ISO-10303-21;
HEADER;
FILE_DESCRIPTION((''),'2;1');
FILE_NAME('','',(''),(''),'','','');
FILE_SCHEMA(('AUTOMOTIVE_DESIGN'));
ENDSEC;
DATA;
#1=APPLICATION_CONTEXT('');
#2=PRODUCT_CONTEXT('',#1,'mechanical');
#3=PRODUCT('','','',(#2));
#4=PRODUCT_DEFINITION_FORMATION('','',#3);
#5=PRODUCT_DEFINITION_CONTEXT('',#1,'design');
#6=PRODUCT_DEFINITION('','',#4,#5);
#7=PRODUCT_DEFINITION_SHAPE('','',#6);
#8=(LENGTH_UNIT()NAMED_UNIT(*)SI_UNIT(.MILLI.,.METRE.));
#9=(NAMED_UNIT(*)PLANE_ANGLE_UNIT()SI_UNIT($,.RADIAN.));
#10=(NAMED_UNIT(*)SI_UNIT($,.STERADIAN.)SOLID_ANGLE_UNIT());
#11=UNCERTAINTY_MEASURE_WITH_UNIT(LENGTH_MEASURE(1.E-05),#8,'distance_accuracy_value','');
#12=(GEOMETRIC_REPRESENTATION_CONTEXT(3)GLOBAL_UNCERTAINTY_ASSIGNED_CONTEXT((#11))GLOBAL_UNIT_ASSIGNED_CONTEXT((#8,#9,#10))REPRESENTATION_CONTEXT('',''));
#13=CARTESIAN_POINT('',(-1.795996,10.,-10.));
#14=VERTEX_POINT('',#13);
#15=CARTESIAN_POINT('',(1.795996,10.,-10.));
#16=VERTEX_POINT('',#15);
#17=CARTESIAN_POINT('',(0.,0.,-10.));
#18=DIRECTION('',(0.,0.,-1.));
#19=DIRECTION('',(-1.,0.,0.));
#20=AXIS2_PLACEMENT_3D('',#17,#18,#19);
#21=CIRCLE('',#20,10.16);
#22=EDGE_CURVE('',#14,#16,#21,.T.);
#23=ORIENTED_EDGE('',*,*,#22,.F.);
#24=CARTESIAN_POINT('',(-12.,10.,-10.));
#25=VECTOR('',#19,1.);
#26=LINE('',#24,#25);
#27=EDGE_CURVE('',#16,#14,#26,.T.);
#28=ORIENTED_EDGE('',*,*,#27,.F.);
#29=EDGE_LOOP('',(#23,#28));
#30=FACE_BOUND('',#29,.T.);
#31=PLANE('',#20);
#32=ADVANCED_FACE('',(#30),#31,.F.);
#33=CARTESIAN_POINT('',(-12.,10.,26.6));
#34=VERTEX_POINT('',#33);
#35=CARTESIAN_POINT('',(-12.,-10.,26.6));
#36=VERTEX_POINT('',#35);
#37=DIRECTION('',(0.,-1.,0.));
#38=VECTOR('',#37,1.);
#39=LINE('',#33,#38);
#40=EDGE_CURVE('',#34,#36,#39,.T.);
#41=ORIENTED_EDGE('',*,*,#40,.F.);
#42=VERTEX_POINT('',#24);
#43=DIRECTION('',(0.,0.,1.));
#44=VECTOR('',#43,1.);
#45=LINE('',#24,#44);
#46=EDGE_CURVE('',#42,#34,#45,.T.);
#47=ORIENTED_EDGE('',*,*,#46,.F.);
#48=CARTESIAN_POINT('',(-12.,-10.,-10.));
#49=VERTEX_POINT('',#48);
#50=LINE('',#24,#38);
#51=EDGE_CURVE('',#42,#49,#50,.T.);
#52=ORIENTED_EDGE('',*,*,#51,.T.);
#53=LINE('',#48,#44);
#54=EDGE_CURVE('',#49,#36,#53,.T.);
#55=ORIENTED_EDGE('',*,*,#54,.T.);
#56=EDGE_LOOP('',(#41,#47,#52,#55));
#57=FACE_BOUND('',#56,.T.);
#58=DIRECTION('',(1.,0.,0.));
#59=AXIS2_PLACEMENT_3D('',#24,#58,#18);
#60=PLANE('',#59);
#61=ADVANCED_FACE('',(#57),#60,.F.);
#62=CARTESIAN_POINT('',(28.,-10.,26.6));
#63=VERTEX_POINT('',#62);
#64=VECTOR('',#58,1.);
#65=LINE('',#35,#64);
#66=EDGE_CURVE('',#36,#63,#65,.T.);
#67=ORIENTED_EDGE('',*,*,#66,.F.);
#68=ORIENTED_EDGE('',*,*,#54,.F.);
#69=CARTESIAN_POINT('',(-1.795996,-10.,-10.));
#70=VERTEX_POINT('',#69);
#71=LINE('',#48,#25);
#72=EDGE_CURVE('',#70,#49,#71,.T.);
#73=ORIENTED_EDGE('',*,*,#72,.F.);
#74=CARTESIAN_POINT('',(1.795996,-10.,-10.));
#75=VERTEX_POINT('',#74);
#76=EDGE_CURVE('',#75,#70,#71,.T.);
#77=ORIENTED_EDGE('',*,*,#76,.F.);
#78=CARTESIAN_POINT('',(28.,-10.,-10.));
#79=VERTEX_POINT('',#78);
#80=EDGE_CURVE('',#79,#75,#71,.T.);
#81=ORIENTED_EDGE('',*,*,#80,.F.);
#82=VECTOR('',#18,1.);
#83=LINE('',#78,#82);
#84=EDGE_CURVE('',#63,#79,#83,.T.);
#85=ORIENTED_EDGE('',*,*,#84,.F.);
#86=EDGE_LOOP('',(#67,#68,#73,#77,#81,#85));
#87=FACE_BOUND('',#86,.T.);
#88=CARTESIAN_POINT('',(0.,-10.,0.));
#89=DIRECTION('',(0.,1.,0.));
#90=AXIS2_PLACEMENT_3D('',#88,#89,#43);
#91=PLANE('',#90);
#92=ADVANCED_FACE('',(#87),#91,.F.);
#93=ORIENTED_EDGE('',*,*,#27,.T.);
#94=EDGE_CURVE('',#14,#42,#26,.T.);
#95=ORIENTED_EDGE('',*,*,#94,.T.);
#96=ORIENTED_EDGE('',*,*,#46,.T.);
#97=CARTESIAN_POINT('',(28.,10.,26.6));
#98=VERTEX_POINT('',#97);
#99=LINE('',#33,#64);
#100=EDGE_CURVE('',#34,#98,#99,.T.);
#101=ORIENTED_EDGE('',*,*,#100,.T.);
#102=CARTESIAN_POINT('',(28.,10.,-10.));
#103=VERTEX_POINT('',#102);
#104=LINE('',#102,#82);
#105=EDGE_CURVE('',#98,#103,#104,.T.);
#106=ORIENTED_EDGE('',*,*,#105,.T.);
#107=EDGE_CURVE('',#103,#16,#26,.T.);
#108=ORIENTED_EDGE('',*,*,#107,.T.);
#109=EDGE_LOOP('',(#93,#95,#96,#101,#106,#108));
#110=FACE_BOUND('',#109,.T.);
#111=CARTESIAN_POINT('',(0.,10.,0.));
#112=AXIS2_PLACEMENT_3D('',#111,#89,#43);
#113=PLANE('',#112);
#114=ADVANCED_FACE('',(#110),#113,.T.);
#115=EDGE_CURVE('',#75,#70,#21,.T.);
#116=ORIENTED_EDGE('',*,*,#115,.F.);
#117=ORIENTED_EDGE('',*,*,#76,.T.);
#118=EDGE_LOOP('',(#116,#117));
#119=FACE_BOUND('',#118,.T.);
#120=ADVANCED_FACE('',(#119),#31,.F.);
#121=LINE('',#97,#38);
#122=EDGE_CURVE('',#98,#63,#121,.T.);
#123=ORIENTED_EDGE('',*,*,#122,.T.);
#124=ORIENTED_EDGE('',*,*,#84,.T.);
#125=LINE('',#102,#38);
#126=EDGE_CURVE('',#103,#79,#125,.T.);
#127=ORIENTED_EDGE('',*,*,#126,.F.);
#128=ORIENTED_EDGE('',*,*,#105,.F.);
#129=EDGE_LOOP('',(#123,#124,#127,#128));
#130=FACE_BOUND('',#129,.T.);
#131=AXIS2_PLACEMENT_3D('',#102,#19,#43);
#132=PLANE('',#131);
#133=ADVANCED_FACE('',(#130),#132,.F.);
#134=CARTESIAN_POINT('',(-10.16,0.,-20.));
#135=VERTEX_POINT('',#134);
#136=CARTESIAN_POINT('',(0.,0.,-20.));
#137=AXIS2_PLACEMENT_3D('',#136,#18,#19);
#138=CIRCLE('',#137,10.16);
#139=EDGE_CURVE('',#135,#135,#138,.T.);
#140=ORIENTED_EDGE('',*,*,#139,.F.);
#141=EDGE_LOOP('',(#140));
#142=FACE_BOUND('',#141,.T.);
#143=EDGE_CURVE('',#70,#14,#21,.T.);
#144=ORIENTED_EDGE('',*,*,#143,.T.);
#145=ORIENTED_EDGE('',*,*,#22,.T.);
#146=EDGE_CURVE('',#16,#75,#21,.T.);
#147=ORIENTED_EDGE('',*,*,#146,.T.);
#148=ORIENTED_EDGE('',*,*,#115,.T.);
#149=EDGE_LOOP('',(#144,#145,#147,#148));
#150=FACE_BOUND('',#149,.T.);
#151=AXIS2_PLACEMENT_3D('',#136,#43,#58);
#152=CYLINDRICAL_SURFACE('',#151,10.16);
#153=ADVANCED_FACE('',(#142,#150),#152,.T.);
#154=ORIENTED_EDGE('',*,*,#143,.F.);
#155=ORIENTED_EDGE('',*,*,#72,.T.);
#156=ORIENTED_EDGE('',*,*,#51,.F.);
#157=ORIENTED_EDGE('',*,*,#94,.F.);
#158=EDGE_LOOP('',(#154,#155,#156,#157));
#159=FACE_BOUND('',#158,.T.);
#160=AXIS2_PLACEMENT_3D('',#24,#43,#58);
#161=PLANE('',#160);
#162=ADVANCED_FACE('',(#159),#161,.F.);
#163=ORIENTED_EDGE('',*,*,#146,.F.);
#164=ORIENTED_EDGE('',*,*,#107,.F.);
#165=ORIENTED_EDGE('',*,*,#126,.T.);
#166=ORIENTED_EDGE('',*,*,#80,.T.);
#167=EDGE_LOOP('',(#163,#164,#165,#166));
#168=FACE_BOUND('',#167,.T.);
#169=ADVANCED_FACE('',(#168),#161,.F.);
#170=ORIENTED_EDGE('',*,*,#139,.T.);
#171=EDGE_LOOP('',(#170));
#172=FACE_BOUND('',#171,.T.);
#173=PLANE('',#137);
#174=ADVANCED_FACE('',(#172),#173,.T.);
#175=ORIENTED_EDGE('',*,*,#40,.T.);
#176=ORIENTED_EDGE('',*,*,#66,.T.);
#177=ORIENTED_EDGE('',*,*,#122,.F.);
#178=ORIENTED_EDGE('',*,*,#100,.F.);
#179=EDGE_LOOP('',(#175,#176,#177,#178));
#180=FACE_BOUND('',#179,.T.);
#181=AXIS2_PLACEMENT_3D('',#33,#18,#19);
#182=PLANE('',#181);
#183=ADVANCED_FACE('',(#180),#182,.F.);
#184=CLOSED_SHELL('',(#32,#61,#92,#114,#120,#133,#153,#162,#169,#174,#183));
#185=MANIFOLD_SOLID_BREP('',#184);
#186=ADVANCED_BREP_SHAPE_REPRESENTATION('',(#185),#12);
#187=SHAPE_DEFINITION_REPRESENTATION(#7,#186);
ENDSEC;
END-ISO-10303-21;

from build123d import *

# Parameters (mm, degrees)
SKETCH1_W           = 40
SKETCH1_H           = 36.6
BOSS_EXTRUDE1_DEPTH = 10
SKETCH2_R           = 10.16
BOSS_EXTRUDE2_DEPTH = 10


with BuildPart() as part:
    # Sketch1 → Boss-Extrude1 (new, symmetric)
    with BuildSketch(Plane(origin=(0, 0, 0), x_dir=(1, 0, 0), z_dir=(0, 1, 0))):
        with Locations((8, -8.3)):
            Rectangle(SKETCH1_W, SKETCH1_H)
    extrude(amount=BOSS_EXTRUDE1_DEPTH, both=True)

    # Sketch2 → Boss-Extrude2 (add)
    with BuildSketch(Plane(origin=(0, 0, -10), x_dir=(-1, 0, 0), z_dir=(0, 0, -1))):
        with Locations(Location((0, 0, 0), (0, 0, 100.181748388))):
            Circle(SKETCH2_R)
    extrude(amount=BOSS_EXTRUDE2_DEPTH)


solid = part.part
